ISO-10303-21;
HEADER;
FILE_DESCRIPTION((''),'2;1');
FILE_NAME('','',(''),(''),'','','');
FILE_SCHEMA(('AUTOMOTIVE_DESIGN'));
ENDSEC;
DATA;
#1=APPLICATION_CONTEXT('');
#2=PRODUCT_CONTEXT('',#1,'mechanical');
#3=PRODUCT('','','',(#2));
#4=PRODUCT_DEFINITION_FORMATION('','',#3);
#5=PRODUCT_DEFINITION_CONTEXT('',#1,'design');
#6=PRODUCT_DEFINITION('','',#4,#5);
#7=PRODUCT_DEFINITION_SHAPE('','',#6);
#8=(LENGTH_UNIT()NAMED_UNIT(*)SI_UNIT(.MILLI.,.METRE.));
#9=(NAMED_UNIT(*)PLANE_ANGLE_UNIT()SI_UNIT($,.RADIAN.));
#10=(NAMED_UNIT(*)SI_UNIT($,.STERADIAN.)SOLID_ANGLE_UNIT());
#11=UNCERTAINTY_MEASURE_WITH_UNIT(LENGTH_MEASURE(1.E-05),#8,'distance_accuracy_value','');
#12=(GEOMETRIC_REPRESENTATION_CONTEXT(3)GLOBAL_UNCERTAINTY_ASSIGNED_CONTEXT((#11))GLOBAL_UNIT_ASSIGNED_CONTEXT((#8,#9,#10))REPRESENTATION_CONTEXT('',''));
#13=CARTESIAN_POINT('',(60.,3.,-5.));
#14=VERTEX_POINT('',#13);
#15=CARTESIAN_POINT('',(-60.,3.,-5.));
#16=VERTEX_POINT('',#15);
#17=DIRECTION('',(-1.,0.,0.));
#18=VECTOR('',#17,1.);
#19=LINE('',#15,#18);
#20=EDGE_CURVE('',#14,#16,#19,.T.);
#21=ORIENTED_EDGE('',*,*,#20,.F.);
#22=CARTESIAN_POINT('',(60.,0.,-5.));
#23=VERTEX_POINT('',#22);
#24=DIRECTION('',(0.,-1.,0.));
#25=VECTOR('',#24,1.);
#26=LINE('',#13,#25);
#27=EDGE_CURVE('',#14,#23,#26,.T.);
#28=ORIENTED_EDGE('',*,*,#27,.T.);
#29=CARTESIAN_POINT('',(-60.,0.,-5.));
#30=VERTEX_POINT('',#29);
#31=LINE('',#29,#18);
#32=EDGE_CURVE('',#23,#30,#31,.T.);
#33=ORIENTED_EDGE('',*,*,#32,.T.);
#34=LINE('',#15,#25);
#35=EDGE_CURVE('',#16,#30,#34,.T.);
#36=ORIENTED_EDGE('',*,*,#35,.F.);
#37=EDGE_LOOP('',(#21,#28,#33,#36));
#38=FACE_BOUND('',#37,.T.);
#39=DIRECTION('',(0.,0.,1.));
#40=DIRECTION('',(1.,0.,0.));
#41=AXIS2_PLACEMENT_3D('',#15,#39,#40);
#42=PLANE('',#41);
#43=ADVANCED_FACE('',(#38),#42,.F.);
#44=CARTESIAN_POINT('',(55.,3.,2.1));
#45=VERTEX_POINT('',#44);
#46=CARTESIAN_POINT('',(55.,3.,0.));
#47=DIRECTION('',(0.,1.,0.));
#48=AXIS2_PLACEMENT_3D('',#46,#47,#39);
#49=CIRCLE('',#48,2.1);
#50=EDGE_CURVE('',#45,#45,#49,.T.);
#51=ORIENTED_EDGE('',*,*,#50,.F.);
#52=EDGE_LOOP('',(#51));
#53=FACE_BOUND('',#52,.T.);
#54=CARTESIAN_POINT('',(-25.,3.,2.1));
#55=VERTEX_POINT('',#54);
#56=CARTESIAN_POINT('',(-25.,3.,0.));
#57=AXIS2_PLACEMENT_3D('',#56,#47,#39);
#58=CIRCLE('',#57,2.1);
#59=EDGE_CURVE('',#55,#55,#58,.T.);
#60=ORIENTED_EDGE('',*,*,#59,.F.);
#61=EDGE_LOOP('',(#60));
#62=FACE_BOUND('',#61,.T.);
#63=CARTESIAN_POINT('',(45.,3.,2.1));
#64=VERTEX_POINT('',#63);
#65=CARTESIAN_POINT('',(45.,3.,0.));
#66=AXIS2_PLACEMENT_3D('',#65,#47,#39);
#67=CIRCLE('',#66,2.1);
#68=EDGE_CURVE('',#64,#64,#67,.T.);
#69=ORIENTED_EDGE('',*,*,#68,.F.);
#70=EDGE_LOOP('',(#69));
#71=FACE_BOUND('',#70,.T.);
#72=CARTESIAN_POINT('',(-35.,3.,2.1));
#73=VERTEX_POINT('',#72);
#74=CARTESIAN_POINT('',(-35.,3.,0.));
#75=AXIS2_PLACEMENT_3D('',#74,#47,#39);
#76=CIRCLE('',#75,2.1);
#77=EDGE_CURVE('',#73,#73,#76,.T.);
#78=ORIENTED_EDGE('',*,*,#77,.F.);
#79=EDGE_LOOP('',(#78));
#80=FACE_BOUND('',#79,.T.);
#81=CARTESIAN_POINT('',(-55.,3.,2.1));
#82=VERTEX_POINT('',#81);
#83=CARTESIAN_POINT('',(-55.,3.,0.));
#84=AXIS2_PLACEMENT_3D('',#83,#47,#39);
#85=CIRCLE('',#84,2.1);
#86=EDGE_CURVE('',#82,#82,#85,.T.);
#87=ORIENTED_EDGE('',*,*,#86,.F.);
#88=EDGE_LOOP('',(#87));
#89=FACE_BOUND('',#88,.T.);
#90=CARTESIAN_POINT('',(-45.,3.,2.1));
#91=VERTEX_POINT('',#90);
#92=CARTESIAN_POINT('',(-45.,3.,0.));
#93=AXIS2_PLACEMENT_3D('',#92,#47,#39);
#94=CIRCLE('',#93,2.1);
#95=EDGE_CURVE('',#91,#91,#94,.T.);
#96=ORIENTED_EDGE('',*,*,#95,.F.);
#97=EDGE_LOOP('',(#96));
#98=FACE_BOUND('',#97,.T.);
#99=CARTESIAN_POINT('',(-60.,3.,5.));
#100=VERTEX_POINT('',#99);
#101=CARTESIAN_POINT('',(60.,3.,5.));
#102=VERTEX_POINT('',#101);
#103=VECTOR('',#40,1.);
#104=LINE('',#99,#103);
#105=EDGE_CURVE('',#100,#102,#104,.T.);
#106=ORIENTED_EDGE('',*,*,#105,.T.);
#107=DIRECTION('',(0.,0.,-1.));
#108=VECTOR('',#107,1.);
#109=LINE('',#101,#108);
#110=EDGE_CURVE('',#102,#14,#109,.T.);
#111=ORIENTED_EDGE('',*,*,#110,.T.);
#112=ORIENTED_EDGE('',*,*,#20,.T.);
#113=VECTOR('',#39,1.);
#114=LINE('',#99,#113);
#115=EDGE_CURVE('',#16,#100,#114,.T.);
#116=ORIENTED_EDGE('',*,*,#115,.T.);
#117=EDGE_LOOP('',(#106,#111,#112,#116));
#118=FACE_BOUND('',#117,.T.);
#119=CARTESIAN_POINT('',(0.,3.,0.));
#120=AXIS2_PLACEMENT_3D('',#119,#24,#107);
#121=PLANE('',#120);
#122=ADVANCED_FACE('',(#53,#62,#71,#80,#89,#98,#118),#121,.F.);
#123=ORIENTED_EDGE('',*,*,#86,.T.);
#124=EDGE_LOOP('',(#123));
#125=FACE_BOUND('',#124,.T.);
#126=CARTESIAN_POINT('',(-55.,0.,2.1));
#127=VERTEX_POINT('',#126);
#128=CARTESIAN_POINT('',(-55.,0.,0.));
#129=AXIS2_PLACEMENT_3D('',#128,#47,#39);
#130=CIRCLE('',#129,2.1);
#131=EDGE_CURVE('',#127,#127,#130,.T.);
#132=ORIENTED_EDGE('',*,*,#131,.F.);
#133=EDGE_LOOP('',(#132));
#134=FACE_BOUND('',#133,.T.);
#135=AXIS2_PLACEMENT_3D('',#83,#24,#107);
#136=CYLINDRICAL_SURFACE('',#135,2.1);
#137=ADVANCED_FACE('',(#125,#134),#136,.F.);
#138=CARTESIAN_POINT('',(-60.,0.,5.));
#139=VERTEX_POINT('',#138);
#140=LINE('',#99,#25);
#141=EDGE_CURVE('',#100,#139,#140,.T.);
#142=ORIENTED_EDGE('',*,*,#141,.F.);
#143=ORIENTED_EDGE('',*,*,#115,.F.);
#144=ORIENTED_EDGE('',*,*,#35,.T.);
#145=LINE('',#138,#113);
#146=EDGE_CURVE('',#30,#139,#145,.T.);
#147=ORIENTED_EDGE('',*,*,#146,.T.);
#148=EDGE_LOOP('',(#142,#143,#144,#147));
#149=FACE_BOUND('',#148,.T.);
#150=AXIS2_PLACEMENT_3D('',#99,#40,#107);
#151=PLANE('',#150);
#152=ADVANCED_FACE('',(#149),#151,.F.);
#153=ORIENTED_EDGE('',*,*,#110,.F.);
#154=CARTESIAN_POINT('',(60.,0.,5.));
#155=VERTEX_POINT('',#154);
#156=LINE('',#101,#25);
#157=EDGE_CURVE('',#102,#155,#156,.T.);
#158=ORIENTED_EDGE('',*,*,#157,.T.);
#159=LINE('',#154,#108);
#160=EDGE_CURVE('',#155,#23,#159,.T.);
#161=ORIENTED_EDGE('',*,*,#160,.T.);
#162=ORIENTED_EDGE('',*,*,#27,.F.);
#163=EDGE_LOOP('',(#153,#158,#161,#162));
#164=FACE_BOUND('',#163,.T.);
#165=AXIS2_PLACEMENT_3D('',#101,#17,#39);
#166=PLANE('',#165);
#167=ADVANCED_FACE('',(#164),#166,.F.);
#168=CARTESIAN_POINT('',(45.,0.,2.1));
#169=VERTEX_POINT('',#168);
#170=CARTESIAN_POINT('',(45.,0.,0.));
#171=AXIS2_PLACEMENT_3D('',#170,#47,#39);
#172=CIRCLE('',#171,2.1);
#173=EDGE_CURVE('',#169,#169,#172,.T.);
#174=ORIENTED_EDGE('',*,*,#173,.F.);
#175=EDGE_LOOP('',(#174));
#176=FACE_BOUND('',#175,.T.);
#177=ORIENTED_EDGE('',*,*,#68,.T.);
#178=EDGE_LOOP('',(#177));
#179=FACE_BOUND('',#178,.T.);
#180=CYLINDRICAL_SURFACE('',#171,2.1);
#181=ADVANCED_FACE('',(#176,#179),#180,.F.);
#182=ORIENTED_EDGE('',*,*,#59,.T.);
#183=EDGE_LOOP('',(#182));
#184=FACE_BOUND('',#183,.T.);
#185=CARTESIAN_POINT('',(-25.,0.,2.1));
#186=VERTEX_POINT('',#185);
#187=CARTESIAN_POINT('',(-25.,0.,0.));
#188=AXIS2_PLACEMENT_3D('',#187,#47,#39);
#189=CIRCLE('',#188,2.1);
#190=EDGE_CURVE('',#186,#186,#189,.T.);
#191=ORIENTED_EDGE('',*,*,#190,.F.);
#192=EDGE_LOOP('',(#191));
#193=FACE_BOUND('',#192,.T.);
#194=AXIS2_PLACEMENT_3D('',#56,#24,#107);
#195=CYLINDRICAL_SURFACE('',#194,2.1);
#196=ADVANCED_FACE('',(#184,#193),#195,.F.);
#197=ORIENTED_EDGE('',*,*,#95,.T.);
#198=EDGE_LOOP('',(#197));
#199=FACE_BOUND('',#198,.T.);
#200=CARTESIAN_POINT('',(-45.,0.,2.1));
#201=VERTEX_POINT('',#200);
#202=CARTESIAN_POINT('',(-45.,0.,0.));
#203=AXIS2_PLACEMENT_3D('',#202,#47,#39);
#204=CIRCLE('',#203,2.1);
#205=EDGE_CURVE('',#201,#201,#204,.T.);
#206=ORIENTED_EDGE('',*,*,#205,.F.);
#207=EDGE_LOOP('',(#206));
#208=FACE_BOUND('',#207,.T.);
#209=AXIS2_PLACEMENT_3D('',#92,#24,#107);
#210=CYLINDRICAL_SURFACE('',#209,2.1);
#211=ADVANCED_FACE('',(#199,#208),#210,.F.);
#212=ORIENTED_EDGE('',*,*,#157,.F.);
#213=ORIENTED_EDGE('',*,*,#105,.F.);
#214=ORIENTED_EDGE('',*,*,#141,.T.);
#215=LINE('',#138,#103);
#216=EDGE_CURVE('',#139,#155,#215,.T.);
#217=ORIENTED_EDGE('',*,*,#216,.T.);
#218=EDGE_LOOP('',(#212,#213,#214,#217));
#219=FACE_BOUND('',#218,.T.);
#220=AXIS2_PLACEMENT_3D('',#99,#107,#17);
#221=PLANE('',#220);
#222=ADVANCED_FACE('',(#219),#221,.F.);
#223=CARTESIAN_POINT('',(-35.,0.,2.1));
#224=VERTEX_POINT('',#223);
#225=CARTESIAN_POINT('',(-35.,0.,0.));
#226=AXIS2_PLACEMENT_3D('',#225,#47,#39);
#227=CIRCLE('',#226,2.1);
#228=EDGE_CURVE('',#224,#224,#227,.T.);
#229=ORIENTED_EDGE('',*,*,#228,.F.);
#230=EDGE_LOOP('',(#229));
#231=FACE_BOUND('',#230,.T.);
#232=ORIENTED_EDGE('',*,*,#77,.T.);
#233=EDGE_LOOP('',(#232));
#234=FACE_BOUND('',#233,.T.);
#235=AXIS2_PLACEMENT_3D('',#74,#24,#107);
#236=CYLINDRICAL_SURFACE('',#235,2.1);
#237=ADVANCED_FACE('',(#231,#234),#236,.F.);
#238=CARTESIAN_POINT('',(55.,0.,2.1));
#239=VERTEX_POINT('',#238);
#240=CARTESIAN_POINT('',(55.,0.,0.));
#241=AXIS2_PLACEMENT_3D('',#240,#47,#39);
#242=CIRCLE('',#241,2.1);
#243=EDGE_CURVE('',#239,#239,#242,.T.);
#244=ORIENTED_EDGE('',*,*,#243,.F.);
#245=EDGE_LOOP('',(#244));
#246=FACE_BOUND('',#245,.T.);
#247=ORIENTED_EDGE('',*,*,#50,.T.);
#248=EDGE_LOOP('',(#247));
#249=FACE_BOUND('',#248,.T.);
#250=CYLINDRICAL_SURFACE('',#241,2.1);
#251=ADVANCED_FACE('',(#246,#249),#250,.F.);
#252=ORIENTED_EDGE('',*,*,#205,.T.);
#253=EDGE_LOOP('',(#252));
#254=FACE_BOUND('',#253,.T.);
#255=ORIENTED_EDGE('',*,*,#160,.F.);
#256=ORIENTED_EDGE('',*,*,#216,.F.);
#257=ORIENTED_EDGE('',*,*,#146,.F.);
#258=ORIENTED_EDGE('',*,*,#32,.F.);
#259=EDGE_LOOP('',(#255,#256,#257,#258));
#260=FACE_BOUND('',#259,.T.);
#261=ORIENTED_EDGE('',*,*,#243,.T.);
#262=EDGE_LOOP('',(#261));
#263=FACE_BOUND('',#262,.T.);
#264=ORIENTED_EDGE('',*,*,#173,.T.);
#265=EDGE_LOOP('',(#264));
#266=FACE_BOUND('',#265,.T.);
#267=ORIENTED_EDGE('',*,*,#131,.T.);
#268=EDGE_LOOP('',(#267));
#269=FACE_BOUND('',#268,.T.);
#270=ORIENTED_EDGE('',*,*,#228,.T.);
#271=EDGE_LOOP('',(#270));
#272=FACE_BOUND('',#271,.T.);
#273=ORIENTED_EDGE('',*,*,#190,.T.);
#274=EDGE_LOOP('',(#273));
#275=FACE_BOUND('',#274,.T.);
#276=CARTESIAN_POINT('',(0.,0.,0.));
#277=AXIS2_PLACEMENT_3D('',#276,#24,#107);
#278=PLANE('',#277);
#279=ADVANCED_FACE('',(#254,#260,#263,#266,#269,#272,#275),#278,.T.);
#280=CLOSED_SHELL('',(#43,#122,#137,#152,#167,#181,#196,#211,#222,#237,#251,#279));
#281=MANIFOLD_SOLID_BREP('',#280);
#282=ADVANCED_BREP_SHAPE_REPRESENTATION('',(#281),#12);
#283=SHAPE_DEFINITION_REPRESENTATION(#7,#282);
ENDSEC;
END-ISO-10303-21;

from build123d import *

# Parameters (mm, degrees)
CROQUIS1_W              = 120
CROQUIS1_H              = 10
CROQUIS1_R              = 2.1
SALIENTE_EXTRUIR1_DEPTH = 3
CROQUIS2_R              = 2.1
CORTAR_EXTRUIR1_DEPTH   = 3


with BuildPart() as part:
    # Croquis1 → Saliente-Extruir1 (new body)
    with BuildSketch(Plane(origin=(0, 0, 0), x_dir=(1, 0, 0), z_dir=(0, 1, 0))):
        Rectangle(CROQUIS1_W, CROQUIS1_H)
        with Locations(Location((-55, 0, 0), (0, 0, 270))):
            Circle(CROQUIS1_R, mode=Mode.SUBTRACT)
        with Locations(Location((-45, 0, 0), (0, 0, 270))):
            Circle(CROQUIS1_R, mode=Mode.SUBTRACT)
        with Locations(Location((-35, 0, 0), (0, 0, 270))):
            Circle(CROQUIS1_R, mode=Mode.SUBTRACT)
        with Locations(Location((-25, 0, 0), (0, 0, 270))):
            Circle(CROQUIS1_R, mode=Mode.SUBTRACT)
    extrude(amount=SALIENTE_EXTRUIR1_DEPTH)

    # Croquis2 → Cortar-Extruir1 (cut)
    with BuildSketch(Plane(origin=(0, 3, 0), x_dir=(1, 0, 0), z_dir=(0, 1, 0))):
        with Locations(Location((55, 0, 0), (0, 0, 270))):
            Circle(CROQUIS2_R)
        with Locations(Location((45, 0, 0), (0, 0, 270))):
            Circle(CROQUIS2_R)
    extrude(amount=-CORTAR_EXTRUIR1_DEPTH, mode=Mode.SUBTRACT)


solid = part.part
